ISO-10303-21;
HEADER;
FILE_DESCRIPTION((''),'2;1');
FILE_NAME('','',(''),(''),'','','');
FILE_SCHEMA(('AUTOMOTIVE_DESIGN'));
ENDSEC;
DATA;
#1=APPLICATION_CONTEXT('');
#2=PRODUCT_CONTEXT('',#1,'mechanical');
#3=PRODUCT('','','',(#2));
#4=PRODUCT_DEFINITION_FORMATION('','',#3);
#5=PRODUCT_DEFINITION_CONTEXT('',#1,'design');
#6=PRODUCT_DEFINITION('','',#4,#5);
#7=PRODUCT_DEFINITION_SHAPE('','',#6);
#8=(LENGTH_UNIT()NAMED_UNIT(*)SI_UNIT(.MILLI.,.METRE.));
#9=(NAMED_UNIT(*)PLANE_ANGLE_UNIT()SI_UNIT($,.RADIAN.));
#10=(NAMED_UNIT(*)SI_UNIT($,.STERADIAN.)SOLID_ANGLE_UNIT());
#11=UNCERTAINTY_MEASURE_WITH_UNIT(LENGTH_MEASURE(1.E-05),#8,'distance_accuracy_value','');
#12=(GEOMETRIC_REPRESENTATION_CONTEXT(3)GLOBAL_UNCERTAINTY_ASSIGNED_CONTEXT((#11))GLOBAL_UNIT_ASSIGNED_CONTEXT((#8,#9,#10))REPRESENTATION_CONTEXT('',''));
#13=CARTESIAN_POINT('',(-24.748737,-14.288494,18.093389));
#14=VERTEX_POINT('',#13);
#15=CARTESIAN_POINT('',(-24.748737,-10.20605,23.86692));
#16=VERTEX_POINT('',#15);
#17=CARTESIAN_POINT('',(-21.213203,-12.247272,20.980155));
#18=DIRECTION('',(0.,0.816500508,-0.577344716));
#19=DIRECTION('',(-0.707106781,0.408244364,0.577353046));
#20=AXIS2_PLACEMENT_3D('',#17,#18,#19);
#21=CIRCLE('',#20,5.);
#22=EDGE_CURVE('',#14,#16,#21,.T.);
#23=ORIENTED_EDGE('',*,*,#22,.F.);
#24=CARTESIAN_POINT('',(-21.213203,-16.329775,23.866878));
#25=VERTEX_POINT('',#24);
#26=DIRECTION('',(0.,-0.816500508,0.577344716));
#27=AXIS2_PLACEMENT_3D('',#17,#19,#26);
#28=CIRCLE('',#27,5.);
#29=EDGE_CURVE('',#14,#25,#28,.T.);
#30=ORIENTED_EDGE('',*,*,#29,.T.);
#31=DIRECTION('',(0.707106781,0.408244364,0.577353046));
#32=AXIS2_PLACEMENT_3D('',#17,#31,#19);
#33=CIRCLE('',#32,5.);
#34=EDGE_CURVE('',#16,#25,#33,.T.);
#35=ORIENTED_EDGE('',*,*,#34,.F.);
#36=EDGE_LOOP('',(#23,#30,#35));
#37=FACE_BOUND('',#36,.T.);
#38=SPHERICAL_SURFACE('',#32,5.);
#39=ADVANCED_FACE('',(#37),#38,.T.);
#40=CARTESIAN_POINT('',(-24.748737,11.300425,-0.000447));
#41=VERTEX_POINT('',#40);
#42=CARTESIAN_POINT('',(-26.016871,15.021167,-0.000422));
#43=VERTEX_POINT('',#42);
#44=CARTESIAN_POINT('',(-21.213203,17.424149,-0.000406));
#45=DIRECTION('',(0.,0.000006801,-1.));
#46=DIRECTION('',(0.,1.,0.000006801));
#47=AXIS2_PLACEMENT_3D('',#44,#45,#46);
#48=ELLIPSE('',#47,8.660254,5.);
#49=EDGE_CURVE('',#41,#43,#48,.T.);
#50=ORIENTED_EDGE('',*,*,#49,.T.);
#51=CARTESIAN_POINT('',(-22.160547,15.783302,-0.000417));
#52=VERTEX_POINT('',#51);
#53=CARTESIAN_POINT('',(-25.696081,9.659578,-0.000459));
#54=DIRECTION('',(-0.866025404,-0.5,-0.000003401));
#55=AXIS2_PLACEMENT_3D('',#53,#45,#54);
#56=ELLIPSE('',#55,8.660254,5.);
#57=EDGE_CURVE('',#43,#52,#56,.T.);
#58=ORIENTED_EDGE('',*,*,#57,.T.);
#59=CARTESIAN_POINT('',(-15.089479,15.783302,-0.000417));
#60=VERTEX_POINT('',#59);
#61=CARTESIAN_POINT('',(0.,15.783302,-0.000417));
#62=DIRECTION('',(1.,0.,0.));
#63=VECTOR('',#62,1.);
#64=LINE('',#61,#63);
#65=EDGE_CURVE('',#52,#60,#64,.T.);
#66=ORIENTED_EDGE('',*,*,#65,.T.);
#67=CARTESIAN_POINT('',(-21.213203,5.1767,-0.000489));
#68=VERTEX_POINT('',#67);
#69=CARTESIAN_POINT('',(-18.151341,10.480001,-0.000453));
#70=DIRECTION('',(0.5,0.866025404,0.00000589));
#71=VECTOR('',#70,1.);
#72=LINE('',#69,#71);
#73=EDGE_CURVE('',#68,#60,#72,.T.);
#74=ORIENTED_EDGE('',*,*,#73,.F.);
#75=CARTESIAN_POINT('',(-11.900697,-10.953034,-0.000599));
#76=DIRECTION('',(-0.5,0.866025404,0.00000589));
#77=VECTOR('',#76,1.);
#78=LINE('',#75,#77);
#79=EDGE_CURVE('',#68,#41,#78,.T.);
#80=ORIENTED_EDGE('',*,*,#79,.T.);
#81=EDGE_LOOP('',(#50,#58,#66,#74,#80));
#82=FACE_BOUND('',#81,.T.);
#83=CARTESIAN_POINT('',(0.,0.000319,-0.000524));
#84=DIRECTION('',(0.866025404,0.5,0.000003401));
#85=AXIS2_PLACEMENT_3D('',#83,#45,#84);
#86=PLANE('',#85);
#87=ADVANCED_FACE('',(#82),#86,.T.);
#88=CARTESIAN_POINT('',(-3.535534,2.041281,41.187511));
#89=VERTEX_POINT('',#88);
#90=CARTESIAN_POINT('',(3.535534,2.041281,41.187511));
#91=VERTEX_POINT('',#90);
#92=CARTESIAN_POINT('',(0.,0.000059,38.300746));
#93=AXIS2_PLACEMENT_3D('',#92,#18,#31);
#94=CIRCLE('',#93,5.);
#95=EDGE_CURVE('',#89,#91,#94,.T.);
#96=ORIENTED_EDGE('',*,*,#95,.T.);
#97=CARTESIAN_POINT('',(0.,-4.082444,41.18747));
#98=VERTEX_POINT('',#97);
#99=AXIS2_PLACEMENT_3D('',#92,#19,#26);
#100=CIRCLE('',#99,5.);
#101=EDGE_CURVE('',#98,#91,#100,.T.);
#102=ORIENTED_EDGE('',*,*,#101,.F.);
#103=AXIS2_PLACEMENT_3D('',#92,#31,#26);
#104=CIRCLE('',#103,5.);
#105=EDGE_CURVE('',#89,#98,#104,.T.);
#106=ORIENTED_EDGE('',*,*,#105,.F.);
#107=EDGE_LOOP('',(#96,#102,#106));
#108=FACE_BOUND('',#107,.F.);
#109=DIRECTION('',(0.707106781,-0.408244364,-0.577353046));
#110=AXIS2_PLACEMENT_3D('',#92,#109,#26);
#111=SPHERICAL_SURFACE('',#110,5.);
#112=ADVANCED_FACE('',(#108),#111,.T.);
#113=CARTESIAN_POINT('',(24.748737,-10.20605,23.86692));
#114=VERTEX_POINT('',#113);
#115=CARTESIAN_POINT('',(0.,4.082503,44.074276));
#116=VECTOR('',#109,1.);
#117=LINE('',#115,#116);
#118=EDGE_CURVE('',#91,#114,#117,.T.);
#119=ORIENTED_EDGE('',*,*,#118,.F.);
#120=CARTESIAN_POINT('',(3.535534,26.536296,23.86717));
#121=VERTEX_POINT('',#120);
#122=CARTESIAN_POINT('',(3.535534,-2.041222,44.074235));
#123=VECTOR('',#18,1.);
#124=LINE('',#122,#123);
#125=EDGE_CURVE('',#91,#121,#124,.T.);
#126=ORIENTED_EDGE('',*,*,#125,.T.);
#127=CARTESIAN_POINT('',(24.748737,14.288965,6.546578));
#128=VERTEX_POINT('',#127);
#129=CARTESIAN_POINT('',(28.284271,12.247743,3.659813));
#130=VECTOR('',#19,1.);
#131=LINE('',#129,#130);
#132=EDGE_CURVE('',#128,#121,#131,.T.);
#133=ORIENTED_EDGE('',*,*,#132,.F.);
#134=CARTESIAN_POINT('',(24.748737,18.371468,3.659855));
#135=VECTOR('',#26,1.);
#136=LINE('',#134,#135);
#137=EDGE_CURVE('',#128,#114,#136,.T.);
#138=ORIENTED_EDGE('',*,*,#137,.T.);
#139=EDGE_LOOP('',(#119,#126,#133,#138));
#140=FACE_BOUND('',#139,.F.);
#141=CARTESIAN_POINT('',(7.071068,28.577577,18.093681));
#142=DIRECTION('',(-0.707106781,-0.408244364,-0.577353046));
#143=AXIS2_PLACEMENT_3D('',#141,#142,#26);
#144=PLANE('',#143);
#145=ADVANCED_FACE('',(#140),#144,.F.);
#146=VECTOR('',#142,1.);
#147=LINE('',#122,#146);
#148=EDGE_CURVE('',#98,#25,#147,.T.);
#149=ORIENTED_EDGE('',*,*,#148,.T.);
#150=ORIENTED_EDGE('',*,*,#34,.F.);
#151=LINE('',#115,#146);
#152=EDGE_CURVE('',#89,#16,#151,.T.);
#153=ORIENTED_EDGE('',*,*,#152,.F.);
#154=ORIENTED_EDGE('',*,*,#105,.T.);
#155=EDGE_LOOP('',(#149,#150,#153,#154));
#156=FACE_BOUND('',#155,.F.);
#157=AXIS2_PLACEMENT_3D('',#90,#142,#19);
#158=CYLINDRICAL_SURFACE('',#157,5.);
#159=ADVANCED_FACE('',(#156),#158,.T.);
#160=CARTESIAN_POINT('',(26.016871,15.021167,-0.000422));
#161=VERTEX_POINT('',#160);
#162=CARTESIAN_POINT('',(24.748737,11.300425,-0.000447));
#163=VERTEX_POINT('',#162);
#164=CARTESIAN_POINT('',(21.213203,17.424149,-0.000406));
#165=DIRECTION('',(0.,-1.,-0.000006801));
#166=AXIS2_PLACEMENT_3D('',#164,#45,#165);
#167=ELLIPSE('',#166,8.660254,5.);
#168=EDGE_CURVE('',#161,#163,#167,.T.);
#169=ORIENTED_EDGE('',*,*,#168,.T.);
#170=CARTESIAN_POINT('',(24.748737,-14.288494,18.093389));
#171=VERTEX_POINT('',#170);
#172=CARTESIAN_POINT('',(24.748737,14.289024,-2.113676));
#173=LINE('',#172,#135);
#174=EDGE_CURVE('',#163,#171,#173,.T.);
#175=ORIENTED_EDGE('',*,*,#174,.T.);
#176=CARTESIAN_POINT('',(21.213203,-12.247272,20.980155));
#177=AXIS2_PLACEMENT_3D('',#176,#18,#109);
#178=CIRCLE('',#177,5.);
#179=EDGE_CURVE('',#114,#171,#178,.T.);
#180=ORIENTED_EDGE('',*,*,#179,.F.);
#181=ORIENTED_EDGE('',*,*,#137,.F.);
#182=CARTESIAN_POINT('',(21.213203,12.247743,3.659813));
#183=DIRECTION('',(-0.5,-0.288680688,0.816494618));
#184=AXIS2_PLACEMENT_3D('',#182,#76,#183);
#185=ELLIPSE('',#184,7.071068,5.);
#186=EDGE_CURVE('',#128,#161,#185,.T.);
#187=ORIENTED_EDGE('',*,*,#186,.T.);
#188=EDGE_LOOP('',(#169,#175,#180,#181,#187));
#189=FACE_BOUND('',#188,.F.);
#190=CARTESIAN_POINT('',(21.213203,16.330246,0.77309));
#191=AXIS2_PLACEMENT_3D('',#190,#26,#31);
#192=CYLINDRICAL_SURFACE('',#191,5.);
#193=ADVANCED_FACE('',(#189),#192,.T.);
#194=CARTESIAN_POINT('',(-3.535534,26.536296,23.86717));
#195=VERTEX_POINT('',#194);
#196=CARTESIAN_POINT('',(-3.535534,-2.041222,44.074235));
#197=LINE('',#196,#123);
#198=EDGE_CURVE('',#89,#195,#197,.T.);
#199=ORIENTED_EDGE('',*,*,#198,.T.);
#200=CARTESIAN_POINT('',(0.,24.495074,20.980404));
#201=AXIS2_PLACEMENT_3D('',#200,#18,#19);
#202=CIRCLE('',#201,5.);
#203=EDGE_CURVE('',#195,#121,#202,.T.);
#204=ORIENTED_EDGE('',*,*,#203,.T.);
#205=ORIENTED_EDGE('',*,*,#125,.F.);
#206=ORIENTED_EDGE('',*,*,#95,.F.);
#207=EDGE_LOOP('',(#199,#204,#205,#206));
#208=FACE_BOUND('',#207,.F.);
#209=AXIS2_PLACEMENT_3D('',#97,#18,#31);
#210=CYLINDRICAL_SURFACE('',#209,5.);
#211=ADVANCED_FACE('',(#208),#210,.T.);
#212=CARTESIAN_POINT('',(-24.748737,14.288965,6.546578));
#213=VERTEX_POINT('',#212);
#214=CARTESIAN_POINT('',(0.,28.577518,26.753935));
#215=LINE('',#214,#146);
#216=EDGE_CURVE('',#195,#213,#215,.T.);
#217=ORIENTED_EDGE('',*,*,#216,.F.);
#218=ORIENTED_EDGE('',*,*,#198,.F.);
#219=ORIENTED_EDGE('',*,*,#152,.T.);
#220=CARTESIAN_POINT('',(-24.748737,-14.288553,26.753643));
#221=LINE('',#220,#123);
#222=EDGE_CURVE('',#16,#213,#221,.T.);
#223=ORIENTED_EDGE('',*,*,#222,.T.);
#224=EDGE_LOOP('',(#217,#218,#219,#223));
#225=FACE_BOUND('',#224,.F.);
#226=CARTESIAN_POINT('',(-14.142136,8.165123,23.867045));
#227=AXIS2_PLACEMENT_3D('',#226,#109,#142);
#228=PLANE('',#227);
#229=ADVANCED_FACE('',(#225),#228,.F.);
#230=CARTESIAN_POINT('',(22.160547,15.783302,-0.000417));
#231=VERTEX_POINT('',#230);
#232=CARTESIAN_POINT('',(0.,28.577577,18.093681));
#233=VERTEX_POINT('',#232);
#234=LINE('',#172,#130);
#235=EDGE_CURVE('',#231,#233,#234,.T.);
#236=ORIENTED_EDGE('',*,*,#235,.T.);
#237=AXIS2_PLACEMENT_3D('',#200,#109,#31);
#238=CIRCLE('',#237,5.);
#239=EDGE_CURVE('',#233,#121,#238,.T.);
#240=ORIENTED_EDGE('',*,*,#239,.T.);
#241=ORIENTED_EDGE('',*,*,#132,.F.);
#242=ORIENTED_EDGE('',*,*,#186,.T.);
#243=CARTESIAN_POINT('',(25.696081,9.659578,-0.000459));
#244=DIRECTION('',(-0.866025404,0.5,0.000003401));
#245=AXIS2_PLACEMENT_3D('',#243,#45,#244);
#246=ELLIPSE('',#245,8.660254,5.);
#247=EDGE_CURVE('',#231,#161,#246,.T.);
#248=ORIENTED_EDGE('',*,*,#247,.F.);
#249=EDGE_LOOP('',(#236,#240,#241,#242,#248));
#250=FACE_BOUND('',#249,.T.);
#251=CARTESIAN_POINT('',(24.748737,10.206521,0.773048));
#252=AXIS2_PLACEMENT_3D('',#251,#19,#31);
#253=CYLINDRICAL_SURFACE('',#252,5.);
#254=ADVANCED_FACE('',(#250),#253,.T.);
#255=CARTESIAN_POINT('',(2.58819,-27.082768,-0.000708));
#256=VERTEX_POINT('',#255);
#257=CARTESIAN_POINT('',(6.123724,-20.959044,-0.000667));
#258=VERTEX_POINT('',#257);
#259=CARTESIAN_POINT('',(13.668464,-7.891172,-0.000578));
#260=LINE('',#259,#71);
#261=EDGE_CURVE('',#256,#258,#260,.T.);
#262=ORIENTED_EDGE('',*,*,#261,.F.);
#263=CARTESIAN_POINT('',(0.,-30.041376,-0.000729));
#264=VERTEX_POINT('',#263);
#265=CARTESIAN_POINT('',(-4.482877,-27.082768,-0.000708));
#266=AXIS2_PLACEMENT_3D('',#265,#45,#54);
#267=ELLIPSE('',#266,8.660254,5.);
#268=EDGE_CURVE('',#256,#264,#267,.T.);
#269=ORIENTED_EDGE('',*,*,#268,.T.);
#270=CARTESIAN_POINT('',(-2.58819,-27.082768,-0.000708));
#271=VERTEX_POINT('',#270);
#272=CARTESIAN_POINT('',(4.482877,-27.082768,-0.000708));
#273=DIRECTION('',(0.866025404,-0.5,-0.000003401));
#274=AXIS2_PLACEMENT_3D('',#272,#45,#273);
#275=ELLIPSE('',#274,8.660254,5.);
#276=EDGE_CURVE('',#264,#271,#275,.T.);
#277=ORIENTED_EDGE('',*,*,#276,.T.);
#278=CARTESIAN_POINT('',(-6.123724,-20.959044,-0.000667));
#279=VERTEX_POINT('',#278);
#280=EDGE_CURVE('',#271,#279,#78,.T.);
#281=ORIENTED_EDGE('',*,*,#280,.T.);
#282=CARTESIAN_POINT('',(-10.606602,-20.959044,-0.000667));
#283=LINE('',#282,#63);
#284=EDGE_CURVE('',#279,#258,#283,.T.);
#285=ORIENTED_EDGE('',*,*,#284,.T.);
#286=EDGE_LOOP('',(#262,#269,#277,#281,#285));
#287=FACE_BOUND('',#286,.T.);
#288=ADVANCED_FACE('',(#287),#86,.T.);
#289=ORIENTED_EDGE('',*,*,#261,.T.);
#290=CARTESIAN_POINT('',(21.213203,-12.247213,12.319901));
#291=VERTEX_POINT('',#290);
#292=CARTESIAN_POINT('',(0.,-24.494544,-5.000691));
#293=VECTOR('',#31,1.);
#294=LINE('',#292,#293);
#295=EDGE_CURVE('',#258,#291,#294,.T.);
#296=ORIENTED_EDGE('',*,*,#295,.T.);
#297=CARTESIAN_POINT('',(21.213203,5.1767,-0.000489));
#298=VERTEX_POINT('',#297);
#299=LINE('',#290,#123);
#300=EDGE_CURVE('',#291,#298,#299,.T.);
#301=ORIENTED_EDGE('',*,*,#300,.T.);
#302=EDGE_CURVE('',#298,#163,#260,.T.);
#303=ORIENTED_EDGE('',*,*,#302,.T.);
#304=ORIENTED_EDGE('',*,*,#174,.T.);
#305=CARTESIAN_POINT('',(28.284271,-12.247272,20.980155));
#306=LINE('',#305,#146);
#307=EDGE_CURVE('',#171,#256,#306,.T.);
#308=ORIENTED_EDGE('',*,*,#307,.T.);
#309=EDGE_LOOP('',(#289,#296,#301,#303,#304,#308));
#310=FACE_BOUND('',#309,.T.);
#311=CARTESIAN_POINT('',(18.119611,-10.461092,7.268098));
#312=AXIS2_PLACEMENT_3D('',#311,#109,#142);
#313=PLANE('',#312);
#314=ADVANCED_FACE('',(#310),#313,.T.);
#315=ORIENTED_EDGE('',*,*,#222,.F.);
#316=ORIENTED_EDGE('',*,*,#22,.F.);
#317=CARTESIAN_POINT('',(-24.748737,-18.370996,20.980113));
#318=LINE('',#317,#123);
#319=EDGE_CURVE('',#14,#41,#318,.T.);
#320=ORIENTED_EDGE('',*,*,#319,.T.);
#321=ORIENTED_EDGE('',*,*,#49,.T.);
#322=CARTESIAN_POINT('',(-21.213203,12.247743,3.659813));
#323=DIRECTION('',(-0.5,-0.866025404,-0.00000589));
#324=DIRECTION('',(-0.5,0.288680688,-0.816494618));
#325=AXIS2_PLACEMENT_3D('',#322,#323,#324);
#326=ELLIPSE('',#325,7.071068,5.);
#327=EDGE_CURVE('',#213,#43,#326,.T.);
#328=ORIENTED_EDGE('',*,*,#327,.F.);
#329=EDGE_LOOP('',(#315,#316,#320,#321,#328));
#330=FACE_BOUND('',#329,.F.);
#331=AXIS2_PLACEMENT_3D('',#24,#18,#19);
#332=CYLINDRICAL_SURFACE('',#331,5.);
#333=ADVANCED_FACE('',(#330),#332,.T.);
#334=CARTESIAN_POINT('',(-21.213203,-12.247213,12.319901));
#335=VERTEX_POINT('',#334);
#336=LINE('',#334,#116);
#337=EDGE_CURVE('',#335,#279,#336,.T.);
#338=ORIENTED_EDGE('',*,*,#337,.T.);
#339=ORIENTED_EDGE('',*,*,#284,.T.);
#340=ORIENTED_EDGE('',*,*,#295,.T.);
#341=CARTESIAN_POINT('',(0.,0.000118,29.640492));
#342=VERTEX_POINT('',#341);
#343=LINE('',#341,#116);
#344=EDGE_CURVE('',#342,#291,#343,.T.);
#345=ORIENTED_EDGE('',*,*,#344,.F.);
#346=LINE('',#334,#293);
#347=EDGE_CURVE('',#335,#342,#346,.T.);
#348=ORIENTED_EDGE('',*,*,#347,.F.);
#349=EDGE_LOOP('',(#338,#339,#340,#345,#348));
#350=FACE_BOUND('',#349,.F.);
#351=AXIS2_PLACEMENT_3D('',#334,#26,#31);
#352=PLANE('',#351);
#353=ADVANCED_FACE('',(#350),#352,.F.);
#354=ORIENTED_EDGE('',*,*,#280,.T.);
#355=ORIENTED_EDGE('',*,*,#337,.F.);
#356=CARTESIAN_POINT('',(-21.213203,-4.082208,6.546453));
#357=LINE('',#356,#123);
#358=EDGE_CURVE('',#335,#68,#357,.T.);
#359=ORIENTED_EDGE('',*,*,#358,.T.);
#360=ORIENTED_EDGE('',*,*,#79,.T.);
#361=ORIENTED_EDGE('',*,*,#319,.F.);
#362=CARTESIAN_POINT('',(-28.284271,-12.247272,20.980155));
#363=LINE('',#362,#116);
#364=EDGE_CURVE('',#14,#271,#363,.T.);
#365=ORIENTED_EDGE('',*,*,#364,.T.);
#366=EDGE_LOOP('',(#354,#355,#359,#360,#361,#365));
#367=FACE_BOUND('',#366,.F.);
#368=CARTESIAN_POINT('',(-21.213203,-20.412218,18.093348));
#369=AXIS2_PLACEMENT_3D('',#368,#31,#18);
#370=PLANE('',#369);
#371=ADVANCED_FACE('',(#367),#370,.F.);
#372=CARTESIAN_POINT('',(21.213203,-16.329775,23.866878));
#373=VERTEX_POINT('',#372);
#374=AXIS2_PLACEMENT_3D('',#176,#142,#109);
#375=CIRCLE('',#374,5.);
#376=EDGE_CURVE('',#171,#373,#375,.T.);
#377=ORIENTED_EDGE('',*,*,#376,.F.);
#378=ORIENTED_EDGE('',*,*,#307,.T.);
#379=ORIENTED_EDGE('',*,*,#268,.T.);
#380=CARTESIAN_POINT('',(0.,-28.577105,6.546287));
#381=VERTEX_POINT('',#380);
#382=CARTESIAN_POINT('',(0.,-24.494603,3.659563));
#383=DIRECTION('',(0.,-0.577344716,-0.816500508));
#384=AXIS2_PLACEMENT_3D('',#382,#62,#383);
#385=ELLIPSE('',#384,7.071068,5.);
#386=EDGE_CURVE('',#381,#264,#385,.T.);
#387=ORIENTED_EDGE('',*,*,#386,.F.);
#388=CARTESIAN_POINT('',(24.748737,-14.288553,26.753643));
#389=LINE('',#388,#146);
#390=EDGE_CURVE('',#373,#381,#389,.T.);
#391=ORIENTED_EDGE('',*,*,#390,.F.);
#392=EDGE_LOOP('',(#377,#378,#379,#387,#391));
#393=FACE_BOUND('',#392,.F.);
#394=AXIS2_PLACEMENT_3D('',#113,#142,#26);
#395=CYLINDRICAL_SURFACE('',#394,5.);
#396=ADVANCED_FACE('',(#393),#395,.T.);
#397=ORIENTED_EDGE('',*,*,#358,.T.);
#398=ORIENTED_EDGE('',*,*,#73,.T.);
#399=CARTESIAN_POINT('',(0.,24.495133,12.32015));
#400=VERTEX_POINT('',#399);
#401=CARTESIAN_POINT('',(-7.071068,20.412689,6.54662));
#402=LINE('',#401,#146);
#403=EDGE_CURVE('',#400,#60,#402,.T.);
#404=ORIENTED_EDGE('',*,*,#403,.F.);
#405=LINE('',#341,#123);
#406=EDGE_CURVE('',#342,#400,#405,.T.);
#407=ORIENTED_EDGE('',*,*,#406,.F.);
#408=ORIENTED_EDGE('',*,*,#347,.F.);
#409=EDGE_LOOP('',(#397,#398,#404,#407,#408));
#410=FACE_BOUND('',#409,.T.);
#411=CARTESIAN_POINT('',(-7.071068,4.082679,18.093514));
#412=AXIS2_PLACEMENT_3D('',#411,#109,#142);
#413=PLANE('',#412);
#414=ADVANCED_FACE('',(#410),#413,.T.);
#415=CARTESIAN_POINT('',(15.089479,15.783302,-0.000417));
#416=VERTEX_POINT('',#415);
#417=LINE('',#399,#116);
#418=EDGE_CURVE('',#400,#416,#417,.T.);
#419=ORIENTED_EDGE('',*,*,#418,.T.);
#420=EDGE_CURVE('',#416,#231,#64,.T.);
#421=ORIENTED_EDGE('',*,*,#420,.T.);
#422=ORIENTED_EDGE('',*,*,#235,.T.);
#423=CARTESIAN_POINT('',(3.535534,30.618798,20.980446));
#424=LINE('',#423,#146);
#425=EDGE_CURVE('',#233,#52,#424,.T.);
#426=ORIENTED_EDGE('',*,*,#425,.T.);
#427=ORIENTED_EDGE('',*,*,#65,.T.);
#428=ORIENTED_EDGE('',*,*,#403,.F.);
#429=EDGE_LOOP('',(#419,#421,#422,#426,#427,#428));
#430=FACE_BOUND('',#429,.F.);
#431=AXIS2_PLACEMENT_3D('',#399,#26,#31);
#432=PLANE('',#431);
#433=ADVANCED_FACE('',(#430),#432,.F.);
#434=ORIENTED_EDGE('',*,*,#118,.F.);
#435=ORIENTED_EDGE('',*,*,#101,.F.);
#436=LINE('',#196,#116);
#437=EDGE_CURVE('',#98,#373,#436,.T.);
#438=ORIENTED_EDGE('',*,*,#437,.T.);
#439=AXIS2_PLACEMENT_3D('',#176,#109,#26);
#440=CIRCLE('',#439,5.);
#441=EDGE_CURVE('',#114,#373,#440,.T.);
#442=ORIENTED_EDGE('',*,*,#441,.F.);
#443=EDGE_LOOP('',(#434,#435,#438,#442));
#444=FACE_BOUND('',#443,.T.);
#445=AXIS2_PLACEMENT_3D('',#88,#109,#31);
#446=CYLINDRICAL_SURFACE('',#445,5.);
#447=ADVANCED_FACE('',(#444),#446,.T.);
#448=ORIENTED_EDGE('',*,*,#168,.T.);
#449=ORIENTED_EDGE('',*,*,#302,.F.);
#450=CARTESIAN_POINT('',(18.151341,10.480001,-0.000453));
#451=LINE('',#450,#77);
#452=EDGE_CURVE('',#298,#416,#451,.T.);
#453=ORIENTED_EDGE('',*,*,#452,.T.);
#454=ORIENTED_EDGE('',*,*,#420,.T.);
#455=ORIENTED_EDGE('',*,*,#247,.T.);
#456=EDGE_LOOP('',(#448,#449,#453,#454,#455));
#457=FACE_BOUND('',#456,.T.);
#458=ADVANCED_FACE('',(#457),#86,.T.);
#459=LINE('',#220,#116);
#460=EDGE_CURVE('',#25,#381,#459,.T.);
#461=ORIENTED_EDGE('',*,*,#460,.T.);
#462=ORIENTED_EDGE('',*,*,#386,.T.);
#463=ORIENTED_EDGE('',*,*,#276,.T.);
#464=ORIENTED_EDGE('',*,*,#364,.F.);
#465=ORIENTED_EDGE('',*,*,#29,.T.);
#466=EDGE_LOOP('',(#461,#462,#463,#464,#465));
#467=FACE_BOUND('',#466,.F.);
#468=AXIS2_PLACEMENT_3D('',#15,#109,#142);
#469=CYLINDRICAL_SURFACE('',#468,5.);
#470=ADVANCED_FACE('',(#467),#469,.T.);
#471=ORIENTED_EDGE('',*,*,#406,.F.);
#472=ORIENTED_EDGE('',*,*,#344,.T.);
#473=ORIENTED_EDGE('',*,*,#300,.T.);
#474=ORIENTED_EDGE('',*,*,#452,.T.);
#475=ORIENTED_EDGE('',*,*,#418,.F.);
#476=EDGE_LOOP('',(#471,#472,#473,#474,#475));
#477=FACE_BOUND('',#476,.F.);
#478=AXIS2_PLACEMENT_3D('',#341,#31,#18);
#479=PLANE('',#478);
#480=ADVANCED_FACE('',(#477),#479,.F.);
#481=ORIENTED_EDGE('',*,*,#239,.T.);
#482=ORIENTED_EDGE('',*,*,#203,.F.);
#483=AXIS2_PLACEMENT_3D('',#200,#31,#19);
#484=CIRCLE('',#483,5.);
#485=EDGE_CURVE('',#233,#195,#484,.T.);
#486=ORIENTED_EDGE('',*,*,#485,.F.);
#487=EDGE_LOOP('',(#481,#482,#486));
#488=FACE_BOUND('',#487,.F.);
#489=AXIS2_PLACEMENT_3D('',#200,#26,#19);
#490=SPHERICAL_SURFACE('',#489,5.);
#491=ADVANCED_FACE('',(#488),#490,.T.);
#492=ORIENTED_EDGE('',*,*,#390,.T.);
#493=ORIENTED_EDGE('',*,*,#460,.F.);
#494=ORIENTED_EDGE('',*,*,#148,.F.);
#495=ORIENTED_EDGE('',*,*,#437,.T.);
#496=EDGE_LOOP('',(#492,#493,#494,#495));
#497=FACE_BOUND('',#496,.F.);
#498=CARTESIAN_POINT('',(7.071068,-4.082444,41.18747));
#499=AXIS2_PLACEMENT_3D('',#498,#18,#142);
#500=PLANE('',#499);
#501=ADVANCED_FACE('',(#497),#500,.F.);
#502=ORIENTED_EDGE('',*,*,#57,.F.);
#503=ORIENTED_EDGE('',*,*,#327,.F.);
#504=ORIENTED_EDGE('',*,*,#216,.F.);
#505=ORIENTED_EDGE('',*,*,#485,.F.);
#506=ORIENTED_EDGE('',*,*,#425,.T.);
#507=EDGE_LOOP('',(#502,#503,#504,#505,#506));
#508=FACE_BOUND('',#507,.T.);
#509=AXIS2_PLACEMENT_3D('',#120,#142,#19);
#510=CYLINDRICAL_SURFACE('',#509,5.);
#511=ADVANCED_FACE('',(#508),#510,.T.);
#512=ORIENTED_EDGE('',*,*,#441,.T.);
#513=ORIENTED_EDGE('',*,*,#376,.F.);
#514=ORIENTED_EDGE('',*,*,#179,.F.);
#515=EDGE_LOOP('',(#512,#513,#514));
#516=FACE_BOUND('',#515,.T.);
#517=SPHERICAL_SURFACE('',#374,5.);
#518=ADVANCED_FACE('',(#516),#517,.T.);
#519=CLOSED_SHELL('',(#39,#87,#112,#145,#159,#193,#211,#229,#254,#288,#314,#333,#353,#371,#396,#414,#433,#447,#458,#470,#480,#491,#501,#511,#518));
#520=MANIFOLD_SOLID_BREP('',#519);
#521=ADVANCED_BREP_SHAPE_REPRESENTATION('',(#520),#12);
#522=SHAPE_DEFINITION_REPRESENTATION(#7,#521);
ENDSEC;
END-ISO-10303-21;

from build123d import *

# Parameters (mm, degrees)
F0_W      = 40
F0_H      = 40
F1_DEPTH  = 10
F3_DEPTH  = 30
F4_R      = 5
F6_R      = 32.5
F7_DEPTH  = 5
F9_ANGLE  = -225
F10_ANGLE = -35.264


with BuildPart() as f1:
    # F0 (on Top) → F1 (new body)
    with BuildSketch(Plane.XY):
        with Locations((20, 20)):
            Rectangle(F0_W, F0_H)
    extrude(amount=F1_DEPTH)

    # F2 (on face) → F3 (join)
    with BuildSketch(Plane.XY.offset(10)):
        Polygon((0, 40), (0, 0), (40, 0), (40, 10), (10, 10), (10, 40), align=None)
    extrude(amount=F3_DEPTH)

    # F4
    f4_edges = [f1.edges().sort_by_distance(p)[0] for p in [
        (20, 0, 40),
        (0, 20, 40),
        (0, 0, 20),
        (20, 0, 0),
        (0, 20, 0),
        (20, 40, 0),
        (40, 20, 0),
        (40, 0, 20),
        (0, 40, 20),
    ]]
    fillet(f4_edges, radius=F4_R)

    # F6 (on 3pt) → F7 (cut)
    with BuildSketch(Plane(origin=(30, 30, 30), x_dir=(-0.8164965809, 0.4082482905, 0.4082482905), z_dir=(0.5773502692, 0.5773502692, 0.5773502692))):
        Circle(F6_R)
    extrude(amount=-F7_DEPTH, mode=Mode.SUBTRACT)


with BuildPart() as f1_1:
    # F9: moved
    add(f1.part.rotate(Axis((0, 27.5, 0), (0, 1, 0)), F9_ANGLE))


with BuildPart() as f1_2:
    # F10: moved
    add(f1_1.part.rotate(Axis((27.5, 0, 0), (1, 0, 0)), F10_ANGLE))


with BuildPart() as f1_3:
    # F13: moved
    add(f1_2.part.moved(Location((0, 0, 46.961))))


solid = f1_3.part
